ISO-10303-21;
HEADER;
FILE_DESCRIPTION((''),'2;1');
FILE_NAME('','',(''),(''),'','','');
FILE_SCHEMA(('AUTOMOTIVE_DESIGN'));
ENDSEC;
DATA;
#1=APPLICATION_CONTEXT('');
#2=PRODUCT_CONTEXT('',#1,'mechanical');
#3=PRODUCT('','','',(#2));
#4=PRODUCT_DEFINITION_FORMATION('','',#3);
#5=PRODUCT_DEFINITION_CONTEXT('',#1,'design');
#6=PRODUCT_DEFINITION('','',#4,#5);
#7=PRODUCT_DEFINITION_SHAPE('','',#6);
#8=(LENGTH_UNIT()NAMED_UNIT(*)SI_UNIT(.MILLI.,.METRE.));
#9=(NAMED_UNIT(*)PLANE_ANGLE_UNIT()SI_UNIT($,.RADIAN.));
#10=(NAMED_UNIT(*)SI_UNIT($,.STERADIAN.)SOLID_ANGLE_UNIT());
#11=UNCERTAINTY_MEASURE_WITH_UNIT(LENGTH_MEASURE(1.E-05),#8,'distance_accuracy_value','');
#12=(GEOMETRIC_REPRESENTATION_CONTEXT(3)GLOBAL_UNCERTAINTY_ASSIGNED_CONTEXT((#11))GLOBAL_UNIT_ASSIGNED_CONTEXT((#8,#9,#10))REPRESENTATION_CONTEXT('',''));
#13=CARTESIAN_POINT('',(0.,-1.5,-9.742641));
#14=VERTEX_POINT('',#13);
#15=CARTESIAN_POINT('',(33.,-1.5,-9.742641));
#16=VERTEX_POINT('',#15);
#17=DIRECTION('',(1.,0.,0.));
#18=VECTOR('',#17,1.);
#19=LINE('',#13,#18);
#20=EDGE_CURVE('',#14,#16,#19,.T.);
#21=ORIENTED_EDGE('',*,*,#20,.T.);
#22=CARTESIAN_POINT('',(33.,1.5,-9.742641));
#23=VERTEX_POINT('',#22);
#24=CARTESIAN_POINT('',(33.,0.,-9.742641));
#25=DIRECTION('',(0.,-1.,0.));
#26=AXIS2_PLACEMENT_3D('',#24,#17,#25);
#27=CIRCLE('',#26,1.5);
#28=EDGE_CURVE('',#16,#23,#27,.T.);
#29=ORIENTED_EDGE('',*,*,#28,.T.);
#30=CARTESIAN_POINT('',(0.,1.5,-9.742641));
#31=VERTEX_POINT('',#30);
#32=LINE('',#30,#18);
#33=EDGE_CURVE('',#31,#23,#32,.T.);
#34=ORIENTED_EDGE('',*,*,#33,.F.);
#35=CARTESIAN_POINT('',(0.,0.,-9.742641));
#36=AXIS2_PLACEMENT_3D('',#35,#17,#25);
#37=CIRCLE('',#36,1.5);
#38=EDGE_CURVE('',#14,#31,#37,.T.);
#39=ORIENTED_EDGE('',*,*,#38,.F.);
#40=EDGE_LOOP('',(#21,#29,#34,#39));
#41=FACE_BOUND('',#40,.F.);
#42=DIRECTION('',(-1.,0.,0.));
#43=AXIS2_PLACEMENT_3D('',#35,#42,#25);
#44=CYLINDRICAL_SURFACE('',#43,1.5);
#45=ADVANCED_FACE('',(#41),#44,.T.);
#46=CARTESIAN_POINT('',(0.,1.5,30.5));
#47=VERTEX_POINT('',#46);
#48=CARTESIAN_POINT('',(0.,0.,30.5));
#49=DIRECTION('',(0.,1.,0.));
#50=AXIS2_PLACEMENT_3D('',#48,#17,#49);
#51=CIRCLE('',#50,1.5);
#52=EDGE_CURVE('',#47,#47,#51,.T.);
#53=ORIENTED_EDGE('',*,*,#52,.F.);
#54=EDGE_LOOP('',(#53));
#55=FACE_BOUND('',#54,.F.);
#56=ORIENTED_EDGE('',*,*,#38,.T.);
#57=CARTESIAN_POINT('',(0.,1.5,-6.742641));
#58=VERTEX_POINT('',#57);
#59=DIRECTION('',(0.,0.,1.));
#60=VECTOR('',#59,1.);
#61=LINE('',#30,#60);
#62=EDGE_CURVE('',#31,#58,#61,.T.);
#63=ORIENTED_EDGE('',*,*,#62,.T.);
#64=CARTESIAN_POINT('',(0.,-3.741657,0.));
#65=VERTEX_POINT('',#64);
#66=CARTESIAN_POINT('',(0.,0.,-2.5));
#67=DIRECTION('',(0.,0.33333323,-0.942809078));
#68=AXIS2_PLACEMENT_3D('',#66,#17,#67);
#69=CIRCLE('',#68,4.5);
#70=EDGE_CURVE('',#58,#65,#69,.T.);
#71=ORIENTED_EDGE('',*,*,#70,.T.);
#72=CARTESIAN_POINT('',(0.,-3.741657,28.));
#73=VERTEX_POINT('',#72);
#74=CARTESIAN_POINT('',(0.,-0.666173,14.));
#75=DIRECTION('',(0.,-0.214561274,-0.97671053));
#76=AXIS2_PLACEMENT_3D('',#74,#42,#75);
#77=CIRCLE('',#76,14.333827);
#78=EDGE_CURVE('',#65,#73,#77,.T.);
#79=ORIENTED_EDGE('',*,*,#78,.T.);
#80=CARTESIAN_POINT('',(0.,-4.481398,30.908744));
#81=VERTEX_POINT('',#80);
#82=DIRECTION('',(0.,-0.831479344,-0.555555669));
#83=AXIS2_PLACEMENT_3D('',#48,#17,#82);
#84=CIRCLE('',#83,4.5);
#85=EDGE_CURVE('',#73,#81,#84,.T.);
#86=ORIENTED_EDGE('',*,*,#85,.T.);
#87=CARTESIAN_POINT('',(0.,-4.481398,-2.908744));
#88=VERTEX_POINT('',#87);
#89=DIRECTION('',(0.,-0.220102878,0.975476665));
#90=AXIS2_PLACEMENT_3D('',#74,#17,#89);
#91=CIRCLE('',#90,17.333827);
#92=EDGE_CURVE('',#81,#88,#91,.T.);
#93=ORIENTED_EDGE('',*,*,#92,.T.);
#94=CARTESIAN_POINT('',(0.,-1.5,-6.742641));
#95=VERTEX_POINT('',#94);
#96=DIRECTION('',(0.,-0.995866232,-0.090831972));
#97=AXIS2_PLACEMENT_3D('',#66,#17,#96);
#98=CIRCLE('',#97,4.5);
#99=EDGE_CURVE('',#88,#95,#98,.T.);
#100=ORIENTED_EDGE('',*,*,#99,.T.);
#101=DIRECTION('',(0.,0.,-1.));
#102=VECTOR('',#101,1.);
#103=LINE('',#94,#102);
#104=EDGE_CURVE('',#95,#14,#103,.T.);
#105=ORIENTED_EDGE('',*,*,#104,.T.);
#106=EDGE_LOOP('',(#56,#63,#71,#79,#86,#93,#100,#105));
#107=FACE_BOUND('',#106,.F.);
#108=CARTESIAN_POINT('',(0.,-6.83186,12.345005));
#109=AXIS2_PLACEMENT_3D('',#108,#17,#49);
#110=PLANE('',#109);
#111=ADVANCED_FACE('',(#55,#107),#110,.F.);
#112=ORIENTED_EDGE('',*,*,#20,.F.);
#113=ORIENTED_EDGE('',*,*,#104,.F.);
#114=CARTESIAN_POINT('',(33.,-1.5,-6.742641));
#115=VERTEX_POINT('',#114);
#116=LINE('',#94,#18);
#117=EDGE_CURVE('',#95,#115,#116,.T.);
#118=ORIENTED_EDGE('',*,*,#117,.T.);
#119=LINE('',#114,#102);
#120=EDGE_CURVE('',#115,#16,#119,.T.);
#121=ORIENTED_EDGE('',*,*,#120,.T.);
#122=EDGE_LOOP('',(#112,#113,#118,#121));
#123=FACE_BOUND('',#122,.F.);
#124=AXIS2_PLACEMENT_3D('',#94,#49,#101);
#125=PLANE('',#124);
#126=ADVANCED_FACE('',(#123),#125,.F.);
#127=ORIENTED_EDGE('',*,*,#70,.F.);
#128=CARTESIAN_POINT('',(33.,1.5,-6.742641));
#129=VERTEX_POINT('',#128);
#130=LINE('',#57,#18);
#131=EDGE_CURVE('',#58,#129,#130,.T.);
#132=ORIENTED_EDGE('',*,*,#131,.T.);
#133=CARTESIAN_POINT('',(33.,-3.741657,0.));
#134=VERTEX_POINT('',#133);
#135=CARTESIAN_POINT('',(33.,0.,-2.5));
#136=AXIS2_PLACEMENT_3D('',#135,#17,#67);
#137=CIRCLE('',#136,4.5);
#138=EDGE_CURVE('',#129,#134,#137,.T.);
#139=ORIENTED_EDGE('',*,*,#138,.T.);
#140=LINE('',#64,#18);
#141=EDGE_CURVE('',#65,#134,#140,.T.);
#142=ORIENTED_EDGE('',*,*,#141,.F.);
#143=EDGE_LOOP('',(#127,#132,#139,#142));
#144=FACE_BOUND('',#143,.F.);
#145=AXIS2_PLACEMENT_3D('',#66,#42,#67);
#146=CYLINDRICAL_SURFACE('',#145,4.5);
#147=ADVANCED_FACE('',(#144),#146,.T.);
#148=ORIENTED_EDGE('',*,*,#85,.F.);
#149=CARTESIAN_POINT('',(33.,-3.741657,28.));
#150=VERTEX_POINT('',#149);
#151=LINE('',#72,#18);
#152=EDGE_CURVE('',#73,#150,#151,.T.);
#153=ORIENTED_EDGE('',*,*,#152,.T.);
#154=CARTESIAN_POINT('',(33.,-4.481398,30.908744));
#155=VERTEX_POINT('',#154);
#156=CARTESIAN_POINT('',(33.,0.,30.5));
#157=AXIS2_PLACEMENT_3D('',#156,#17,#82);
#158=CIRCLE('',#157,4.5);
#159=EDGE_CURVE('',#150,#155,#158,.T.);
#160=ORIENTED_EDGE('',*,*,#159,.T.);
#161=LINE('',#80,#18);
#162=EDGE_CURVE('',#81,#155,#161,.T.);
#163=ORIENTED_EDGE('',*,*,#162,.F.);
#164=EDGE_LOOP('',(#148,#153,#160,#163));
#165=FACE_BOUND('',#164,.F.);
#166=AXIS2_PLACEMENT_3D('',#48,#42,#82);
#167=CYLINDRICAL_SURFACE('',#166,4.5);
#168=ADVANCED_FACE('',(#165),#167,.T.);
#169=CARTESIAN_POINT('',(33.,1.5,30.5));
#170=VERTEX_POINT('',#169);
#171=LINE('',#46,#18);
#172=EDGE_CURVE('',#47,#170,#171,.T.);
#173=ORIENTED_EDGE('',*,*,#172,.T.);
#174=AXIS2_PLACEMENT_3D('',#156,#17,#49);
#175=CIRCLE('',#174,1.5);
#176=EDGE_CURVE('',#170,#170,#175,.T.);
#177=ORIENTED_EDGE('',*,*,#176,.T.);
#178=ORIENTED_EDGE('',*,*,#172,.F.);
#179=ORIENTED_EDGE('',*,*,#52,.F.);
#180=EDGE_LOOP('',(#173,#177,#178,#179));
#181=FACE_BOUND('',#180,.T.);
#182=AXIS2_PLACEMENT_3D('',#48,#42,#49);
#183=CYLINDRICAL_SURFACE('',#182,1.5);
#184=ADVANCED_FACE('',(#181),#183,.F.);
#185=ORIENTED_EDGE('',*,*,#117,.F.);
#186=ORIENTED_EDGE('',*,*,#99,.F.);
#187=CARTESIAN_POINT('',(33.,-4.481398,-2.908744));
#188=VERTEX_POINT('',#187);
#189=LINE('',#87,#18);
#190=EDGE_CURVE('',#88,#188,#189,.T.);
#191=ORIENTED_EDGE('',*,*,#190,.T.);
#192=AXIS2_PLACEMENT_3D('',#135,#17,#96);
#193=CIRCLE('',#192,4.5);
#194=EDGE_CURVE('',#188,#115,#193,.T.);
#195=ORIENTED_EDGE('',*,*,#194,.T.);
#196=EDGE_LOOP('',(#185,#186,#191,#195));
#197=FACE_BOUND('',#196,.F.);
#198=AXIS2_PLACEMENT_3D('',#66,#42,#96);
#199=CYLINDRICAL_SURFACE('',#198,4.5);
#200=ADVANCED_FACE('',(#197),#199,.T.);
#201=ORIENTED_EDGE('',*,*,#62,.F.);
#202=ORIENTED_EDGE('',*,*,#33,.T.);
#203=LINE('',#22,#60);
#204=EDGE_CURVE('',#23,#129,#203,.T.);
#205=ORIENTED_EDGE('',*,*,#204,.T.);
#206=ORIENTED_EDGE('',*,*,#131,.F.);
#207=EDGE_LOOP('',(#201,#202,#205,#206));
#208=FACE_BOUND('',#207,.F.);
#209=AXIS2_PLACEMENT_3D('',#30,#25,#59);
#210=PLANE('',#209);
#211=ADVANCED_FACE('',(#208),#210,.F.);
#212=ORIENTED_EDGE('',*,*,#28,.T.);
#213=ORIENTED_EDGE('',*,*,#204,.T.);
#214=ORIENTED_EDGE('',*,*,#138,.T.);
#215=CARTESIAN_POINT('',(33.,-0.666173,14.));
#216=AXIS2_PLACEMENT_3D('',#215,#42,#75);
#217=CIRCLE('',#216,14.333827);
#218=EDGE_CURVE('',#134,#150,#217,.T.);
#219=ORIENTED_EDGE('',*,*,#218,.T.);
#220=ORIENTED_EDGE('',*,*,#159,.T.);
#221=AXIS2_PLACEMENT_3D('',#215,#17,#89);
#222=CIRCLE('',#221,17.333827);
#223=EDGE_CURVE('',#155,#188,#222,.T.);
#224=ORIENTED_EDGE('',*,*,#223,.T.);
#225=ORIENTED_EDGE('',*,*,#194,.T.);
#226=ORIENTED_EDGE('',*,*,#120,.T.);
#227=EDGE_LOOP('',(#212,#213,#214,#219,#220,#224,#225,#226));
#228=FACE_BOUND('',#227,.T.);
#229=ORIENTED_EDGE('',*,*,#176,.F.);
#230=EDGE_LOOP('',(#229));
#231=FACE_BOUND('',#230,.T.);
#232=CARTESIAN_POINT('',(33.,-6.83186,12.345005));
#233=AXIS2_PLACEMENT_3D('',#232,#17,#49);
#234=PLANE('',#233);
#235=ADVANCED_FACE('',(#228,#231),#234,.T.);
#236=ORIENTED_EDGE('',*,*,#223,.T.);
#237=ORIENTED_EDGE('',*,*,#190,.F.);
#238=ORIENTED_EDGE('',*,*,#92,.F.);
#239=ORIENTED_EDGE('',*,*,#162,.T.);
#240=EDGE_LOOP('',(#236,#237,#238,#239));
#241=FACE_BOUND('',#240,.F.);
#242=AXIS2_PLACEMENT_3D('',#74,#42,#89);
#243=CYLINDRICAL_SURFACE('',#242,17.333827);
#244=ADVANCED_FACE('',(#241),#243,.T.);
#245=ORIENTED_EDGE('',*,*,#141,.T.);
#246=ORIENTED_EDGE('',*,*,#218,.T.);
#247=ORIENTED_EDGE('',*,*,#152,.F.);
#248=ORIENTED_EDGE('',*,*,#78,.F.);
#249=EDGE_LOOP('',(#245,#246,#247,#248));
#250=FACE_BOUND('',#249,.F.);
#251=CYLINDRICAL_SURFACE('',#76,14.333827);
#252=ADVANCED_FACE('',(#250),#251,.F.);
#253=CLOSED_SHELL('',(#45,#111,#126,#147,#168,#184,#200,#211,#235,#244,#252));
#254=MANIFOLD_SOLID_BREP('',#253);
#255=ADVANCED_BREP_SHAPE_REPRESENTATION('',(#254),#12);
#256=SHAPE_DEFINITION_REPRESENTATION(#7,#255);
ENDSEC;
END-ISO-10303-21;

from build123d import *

# Parameters (mm, degrees)
F0_R     = 1.5
F1_DEPTH = 33


with BuildPart() as f1:
    # F0 (on Right) → F1 (new body)
    with BuildSketch(Plane.YZ):
        with BuildLine():
            ThreePointArc((-3.741657, 0), (-15, 14), (-3.741657, 28))
            ThreePointArc((-3.741657, 28), (4.361176, 31.609118), (-4.481398, 30.908744))
            ThreePointArc((-4.481398, 30.908744), (-18, 14), (-4.481398, -2.908744))
            ThreePointArc((-4.481398, -2.908744), (-3.552319, -5.262432), (-1.5, -6.742641))
            Line((-1.5, -6.742641), (-1.5, -9.742641))
            ThreePointArc((-1.5, -9.742641), (0, -11.242641), (1.5, -9.742641))
            Line((1.5, -9.742641), (1.5, -6.742641))
            ThreePointArc((1.5, -6.742641), (3.552754, 0.261873), (-3.741657, 0))
        make_face()
        with Locations((0, -2.5)):
            Circle(F0_R, mode=Mode.SUBTRACT)
        with Locations((0, 30.5)):
            Circle(F0_R, mode=Mode.SUBTRACT)
        with Locations((0, -2.5)):
            Circle(F0_R)
    extrude(amount=F1_DEPTH)


solid = f1.part
